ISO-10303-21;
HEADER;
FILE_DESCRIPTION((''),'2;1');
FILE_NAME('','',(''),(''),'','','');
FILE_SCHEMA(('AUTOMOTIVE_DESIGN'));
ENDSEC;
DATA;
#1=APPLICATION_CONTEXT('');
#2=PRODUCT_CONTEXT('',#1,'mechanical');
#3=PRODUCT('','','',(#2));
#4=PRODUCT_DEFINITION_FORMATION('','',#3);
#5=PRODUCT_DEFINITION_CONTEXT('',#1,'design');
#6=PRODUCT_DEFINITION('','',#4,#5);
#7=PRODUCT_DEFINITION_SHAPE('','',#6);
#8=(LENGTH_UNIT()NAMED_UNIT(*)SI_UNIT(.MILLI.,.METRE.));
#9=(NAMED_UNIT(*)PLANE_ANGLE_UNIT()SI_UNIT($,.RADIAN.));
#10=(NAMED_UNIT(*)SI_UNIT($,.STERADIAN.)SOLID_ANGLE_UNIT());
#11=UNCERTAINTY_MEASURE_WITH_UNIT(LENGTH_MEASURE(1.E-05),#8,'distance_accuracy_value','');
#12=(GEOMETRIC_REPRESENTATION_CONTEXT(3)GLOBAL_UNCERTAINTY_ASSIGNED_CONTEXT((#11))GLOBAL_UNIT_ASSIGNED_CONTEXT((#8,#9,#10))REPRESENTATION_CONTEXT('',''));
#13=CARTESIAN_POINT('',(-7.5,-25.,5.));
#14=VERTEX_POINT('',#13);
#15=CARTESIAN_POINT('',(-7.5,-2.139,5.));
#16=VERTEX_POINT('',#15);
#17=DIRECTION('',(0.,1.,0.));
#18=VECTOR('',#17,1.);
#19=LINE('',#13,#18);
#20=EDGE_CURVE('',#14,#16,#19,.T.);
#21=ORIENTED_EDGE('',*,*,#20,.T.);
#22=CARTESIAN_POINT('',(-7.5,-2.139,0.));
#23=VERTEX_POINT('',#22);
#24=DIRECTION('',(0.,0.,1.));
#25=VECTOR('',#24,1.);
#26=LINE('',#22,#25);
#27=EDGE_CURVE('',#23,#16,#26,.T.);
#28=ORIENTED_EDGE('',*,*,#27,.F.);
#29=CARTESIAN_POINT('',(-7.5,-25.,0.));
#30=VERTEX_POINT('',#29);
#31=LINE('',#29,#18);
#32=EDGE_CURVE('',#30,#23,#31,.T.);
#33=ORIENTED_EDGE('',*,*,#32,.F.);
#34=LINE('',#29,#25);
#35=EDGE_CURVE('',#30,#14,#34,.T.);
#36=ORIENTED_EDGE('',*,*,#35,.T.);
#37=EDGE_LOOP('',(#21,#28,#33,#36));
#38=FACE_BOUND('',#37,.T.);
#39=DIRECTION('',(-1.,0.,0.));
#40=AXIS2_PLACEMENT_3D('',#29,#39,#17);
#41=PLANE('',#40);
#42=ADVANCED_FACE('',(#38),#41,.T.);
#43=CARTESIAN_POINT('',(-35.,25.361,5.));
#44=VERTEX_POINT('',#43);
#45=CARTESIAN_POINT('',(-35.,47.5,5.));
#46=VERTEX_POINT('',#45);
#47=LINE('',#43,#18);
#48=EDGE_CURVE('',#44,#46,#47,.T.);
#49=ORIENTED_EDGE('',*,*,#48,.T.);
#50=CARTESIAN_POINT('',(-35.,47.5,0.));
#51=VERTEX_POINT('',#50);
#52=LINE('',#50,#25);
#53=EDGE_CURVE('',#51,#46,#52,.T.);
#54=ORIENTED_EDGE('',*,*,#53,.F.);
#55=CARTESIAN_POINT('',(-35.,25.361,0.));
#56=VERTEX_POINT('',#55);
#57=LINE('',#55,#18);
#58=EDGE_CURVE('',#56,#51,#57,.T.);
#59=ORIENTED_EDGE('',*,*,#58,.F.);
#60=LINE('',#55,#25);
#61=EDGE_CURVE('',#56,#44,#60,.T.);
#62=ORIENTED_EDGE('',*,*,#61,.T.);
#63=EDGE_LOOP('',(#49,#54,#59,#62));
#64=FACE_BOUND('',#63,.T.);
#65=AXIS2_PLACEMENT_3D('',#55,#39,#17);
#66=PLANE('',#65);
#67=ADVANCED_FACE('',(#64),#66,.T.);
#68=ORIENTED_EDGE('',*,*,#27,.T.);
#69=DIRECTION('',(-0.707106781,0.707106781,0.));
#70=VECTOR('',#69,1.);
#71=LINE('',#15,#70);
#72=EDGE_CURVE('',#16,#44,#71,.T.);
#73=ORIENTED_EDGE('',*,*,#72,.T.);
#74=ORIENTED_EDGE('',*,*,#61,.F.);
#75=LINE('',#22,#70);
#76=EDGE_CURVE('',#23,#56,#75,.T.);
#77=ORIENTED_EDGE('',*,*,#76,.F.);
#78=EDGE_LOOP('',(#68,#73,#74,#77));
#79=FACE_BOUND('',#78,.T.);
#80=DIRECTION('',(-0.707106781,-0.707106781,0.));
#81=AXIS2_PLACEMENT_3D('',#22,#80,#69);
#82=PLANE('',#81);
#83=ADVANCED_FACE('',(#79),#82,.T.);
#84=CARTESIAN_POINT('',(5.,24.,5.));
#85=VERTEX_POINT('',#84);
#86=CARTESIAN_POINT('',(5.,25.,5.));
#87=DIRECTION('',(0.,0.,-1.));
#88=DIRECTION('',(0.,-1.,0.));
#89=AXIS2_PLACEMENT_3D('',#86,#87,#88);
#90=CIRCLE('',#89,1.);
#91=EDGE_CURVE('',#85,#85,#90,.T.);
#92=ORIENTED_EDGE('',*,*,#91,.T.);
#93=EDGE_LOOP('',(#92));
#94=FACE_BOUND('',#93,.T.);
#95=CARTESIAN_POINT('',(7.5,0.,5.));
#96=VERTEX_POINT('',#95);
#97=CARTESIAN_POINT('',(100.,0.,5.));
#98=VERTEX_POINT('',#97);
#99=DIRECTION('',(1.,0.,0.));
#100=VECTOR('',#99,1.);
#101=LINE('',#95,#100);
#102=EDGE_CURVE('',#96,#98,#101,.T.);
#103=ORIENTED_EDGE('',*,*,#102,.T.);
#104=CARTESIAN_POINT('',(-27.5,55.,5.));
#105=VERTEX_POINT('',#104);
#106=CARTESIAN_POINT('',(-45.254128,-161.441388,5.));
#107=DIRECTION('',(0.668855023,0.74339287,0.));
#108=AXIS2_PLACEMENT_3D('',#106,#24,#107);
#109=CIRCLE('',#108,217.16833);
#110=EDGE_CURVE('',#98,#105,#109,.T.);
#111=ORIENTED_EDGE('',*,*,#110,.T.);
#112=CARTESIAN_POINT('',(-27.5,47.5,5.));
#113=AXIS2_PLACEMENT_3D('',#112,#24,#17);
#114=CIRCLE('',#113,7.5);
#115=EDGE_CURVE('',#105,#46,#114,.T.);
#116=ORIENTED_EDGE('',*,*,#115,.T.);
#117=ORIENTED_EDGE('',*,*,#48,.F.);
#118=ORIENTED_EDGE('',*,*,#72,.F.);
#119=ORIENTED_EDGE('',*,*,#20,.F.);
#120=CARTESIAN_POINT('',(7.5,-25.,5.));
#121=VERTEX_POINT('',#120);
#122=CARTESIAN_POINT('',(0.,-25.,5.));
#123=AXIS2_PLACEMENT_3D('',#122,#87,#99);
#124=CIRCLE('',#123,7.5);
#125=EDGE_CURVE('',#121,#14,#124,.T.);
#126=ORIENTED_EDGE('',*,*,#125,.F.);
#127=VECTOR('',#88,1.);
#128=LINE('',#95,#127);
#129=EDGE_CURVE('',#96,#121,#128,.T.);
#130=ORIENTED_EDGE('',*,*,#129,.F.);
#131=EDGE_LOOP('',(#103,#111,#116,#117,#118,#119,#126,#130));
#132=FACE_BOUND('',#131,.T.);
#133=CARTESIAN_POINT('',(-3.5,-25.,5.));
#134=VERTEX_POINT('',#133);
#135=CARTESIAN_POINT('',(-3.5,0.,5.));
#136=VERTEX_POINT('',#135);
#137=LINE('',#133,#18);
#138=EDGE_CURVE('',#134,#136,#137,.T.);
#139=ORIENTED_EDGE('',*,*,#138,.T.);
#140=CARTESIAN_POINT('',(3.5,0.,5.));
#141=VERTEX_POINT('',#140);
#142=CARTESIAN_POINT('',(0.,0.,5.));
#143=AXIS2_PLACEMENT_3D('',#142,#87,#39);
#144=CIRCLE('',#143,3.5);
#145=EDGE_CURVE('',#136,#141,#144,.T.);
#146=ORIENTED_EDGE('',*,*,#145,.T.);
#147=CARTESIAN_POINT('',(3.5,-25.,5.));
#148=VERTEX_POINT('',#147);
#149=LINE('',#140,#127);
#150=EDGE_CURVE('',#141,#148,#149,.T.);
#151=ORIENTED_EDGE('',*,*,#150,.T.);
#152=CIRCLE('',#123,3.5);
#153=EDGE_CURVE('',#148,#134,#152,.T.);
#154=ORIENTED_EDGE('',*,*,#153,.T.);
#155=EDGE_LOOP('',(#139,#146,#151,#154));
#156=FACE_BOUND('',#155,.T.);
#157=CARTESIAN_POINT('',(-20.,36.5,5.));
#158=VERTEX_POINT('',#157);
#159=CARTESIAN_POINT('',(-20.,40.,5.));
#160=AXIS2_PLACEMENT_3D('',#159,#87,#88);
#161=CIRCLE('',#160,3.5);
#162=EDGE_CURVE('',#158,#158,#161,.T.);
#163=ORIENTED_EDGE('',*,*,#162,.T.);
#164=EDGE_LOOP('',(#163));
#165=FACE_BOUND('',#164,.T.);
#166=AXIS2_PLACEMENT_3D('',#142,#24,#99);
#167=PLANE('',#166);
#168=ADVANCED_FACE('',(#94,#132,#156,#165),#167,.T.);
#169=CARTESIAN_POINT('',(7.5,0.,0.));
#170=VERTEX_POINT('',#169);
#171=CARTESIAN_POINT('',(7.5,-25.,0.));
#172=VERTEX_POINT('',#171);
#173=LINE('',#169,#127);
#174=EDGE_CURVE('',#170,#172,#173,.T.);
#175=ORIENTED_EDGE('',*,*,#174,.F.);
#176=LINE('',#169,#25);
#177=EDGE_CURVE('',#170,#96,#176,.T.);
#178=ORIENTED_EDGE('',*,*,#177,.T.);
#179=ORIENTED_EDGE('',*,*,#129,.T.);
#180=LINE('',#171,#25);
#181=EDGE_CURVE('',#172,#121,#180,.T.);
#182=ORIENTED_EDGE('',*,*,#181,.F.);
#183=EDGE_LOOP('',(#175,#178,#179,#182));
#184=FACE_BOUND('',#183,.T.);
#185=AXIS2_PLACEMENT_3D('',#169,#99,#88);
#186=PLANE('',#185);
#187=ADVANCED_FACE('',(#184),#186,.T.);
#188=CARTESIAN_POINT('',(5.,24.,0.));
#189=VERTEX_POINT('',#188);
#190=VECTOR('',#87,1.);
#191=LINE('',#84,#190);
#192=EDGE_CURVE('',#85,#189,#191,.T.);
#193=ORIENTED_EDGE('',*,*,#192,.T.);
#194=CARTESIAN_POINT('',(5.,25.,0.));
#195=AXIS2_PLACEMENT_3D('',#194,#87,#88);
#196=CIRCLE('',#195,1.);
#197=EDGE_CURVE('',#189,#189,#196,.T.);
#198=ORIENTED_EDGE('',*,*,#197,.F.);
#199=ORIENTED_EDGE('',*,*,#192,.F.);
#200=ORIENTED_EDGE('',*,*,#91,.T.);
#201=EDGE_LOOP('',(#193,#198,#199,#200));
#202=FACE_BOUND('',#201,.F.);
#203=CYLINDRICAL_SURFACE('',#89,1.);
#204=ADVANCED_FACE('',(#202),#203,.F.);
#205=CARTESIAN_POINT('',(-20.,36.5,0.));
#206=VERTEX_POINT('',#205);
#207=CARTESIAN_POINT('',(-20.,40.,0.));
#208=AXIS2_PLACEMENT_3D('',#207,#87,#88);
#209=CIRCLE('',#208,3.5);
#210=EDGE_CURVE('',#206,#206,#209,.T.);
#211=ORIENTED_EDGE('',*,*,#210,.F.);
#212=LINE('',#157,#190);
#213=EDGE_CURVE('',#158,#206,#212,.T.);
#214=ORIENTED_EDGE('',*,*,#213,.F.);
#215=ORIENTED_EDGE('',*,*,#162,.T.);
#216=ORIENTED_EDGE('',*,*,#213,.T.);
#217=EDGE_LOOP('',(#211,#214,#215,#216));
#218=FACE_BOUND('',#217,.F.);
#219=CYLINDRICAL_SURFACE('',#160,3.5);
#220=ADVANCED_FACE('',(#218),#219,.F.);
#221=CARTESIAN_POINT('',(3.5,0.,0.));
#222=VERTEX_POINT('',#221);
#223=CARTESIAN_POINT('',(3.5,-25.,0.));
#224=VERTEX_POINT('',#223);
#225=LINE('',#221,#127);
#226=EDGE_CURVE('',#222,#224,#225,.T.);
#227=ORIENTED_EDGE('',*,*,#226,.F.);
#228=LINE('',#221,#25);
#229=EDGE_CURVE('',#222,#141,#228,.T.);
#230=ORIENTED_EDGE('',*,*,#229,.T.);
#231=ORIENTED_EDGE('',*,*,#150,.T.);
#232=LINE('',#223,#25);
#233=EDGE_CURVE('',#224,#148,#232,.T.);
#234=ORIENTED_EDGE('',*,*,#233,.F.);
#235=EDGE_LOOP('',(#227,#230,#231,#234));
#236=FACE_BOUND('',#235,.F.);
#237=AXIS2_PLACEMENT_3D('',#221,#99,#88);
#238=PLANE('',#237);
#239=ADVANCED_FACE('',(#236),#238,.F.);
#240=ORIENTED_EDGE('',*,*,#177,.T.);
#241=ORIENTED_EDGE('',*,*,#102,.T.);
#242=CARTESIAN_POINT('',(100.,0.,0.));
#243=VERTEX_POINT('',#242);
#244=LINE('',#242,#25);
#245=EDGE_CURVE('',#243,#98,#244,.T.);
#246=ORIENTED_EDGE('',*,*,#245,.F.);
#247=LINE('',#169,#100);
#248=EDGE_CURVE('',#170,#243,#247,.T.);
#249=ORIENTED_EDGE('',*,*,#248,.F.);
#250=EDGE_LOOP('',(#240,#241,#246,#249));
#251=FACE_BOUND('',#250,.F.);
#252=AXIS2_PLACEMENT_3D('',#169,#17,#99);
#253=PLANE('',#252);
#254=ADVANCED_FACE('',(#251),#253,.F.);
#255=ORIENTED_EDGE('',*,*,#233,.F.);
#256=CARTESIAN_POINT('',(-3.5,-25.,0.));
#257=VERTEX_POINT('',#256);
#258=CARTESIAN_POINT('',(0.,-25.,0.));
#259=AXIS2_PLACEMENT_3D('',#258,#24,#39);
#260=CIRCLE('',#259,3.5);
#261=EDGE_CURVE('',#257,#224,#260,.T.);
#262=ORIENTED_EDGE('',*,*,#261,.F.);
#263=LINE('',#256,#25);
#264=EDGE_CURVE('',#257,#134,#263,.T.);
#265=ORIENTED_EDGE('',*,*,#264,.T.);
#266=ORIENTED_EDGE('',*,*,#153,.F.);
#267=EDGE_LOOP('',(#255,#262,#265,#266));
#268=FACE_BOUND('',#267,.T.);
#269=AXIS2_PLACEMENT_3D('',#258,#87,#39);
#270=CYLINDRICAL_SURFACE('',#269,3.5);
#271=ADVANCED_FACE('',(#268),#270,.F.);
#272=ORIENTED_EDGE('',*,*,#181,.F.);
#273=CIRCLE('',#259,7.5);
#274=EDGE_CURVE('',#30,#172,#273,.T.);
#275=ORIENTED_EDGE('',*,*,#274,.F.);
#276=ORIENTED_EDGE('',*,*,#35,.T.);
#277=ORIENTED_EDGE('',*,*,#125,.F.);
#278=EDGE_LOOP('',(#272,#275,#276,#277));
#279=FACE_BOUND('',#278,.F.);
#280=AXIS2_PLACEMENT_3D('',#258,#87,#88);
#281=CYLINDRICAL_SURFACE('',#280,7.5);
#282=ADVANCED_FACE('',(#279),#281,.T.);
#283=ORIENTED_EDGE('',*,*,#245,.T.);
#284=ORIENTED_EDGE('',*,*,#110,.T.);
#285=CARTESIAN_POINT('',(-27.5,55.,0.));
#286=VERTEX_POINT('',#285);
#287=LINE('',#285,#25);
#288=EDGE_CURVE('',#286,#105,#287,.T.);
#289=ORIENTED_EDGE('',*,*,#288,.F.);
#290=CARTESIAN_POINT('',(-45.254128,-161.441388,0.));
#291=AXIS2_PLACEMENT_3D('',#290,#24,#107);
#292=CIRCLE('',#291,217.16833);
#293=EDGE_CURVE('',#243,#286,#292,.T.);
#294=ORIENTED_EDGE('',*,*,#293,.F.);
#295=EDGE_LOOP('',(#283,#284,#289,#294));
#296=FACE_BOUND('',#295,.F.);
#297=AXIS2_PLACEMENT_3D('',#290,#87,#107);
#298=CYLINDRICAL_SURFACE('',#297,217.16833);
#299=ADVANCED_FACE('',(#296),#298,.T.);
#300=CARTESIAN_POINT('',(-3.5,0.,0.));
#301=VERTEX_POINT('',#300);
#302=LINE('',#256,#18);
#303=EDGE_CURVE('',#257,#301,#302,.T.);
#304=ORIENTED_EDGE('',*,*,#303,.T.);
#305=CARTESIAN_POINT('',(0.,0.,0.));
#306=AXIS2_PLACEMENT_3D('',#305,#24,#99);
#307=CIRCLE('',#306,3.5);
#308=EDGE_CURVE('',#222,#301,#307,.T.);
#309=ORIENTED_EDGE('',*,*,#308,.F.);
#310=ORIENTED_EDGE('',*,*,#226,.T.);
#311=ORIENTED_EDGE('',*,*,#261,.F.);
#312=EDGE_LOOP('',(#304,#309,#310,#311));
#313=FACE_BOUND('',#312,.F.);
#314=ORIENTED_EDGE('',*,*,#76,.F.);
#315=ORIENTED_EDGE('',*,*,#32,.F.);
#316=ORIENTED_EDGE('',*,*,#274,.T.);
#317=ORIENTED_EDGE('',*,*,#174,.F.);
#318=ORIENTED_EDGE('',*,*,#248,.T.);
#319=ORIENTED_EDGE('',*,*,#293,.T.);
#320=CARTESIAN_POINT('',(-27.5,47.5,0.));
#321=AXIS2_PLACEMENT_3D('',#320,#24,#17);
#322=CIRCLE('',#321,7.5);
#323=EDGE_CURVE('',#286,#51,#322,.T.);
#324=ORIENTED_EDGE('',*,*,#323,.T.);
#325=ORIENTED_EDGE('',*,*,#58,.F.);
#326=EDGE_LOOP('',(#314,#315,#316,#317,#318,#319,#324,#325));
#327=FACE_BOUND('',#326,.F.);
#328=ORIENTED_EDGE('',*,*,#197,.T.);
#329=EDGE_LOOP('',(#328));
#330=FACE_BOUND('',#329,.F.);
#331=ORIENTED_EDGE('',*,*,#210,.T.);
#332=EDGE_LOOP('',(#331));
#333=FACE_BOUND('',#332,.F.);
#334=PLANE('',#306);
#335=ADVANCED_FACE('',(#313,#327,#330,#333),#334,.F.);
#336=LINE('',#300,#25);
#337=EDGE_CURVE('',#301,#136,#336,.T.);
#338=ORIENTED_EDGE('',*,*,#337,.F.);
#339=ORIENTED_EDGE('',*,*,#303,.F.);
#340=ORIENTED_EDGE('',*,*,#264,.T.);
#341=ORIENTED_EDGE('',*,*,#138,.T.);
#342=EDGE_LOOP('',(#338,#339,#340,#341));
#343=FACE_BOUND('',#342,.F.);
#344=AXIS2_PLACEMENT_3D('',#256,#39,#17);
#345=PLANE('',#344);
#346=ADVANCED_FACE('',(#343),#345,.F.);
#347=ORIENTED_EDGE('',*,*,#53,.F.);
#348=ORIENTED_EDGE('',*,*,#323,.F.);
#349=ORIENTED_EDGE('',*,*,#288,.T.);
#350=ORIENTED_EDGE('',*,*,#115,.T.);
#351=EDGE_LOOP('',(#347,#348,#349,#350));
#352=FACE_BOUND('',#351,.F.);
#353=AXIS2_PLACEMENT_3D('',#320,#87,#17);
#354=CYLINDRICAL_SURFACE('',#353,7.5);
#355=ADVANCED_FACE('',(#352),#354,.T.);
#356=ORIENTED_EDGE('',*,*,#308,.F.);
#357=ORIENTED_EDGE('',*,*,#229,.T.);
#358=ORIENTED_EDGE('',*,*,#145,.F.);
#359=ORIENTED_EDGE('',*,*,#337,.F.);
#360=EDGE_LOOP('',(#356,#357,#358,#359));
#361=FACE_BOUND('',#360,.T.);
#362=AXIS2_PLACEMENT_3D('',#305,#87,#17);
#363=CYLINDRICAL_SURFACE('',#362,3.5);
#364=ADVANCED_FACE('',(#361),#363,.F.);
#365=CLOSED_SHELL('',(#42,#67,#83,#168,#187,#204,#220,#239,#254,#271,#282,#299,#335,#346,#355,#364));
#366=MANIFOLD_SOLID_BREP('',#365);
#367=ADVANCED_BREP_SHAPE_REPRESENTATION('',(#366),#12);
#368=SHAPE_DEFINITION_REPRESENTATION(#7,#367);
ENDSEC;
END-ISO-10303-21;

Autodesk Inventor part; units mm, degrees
ref_plane "YZ Plane" through (0, 0, 0) normal (1, 0, 0) x (0, 1, 0)
ref_plane "XZ Plane" through (0, 0, 0) normal (0, 1, 0) x (-1, 0, 0)
ref_plane "XY Plane" through (0, 0, 0) normal (0, 0, 1) x (1, 0, 0)
sketch "Sketch1" plane through (0, 0, 0) normal (0, 0, 1) x (1, 0, 0)
  line L0 (7.5, 0) -> (7.5, -25)
  line L1 (0, -32.5) -> (0, -32.5)
  line L2 (-7.5, -25) -> (-7.5, -2.139)
  line L3 (0, 0) -> (0, -25) construction
  arc A0 (-7.5, -25) -> (0, -32.5) centre (0, -25) ccw
  arc A1 (0, -32.5) -> (7.5, -25) centre (0, -25) ccw
  line L4 (0, -28.5) -> (0, -28.5)
  line L5 (-3.5, -25) -> (-3.5, 0)
  line L6 (0, 3.5) -> (0, 3.5)
  line L7 (3.5, 0) -> (3.5, -25)
  arc A2 (-3.5, -25) -> (0, -28.5) centre (0, -25) ccw
  arc A3 (0, -28.5) -> (3.5, -25) centre (0, -25) ccw
  arc A4 (3.5, 0) -> (0, 3.5) centre (0, 0) ccw
  arc A5 (0, 3.5) -> (-3.5, 0) centre (0, 0) ccw
  line L8 (7.5, 0) -> (100, 0)
  line L9 (-35, 25.361) -> (-35, 47.5)
  line L10 (-7.5, -2.139) -> (-35, 25.361)
  line L11 (-7.5, -2.139) -> (31.3909, -2.139) construction
  arc A6 (-27.5, 55) -> (-35, 47.5) centre (-27.5, 47.5) ccw
  arc A7 (100, 0) -> (-27.5, 55) centre (-45.2542, -161.4415) ccw
  point P0 (0, 0)
  point P1 (-20, 40)
  point P2 (0, -28.5)
  point P3 (0, 3.5)
  point P4 (0, -32.5)
  dimension "d0" = 20
  dimension "d2" = 25
  dimension "d8" = 15
  dimension "d9" = 7.5
  dimension "d10" = 7.5
  dimension "d11" = 3.5
  dimension "d12" = 3.5
  dimension "d13" = 7
  dimension "d14" = 3.5
  dimension "d28" = 40
  dimension "d30" = 135
  dimension "d31" = 15
  dimension "d33" = 7.5
  dimension "d34" = 120
  dimension "d35" = 217.1685
  dimension "d36" = 27.5
extrude "Extrusion1" add sketch "Sketch1" along normal blind 5
sketch "Sketch3" plane through (0, 0, 5) normal (0, 0, 1) x (1, 0, 0)
  arc A0 (-27.7773, 74.9035) -> (-35, 67.9071) centre (-28, 67.9071) ccw projected
  point P0 (0, 0)
  point P1 (-20, 40)
  dimension "d26" = 20
  dimension "d27" = 40
hole "Hole1" at (-20, 40, 5) direction (0, 0, -1) diameter 7 end through all
sketch "Sketch4" plane through (0, 0, 5) normal (0, 0, 1) x (1, 0, 0)
  line L0 (7.5, 0) -> (100, 0) projected
  line L1 (-35, 47.5) -> (-35, 25.361) projected
  circle A0 centre (5, 25) radius 20 construction
  point P0 (0, 0)
  dimension "d37" = 25
  dimension "d38" = 40
  dimension "d39" = 40
hole "Hole2" at (5, 25, 5) direction (0, 0, -1) diameter 2 end through all
properties part number "Dedo-BC" material "MDF Medium Density Fiberboard"
